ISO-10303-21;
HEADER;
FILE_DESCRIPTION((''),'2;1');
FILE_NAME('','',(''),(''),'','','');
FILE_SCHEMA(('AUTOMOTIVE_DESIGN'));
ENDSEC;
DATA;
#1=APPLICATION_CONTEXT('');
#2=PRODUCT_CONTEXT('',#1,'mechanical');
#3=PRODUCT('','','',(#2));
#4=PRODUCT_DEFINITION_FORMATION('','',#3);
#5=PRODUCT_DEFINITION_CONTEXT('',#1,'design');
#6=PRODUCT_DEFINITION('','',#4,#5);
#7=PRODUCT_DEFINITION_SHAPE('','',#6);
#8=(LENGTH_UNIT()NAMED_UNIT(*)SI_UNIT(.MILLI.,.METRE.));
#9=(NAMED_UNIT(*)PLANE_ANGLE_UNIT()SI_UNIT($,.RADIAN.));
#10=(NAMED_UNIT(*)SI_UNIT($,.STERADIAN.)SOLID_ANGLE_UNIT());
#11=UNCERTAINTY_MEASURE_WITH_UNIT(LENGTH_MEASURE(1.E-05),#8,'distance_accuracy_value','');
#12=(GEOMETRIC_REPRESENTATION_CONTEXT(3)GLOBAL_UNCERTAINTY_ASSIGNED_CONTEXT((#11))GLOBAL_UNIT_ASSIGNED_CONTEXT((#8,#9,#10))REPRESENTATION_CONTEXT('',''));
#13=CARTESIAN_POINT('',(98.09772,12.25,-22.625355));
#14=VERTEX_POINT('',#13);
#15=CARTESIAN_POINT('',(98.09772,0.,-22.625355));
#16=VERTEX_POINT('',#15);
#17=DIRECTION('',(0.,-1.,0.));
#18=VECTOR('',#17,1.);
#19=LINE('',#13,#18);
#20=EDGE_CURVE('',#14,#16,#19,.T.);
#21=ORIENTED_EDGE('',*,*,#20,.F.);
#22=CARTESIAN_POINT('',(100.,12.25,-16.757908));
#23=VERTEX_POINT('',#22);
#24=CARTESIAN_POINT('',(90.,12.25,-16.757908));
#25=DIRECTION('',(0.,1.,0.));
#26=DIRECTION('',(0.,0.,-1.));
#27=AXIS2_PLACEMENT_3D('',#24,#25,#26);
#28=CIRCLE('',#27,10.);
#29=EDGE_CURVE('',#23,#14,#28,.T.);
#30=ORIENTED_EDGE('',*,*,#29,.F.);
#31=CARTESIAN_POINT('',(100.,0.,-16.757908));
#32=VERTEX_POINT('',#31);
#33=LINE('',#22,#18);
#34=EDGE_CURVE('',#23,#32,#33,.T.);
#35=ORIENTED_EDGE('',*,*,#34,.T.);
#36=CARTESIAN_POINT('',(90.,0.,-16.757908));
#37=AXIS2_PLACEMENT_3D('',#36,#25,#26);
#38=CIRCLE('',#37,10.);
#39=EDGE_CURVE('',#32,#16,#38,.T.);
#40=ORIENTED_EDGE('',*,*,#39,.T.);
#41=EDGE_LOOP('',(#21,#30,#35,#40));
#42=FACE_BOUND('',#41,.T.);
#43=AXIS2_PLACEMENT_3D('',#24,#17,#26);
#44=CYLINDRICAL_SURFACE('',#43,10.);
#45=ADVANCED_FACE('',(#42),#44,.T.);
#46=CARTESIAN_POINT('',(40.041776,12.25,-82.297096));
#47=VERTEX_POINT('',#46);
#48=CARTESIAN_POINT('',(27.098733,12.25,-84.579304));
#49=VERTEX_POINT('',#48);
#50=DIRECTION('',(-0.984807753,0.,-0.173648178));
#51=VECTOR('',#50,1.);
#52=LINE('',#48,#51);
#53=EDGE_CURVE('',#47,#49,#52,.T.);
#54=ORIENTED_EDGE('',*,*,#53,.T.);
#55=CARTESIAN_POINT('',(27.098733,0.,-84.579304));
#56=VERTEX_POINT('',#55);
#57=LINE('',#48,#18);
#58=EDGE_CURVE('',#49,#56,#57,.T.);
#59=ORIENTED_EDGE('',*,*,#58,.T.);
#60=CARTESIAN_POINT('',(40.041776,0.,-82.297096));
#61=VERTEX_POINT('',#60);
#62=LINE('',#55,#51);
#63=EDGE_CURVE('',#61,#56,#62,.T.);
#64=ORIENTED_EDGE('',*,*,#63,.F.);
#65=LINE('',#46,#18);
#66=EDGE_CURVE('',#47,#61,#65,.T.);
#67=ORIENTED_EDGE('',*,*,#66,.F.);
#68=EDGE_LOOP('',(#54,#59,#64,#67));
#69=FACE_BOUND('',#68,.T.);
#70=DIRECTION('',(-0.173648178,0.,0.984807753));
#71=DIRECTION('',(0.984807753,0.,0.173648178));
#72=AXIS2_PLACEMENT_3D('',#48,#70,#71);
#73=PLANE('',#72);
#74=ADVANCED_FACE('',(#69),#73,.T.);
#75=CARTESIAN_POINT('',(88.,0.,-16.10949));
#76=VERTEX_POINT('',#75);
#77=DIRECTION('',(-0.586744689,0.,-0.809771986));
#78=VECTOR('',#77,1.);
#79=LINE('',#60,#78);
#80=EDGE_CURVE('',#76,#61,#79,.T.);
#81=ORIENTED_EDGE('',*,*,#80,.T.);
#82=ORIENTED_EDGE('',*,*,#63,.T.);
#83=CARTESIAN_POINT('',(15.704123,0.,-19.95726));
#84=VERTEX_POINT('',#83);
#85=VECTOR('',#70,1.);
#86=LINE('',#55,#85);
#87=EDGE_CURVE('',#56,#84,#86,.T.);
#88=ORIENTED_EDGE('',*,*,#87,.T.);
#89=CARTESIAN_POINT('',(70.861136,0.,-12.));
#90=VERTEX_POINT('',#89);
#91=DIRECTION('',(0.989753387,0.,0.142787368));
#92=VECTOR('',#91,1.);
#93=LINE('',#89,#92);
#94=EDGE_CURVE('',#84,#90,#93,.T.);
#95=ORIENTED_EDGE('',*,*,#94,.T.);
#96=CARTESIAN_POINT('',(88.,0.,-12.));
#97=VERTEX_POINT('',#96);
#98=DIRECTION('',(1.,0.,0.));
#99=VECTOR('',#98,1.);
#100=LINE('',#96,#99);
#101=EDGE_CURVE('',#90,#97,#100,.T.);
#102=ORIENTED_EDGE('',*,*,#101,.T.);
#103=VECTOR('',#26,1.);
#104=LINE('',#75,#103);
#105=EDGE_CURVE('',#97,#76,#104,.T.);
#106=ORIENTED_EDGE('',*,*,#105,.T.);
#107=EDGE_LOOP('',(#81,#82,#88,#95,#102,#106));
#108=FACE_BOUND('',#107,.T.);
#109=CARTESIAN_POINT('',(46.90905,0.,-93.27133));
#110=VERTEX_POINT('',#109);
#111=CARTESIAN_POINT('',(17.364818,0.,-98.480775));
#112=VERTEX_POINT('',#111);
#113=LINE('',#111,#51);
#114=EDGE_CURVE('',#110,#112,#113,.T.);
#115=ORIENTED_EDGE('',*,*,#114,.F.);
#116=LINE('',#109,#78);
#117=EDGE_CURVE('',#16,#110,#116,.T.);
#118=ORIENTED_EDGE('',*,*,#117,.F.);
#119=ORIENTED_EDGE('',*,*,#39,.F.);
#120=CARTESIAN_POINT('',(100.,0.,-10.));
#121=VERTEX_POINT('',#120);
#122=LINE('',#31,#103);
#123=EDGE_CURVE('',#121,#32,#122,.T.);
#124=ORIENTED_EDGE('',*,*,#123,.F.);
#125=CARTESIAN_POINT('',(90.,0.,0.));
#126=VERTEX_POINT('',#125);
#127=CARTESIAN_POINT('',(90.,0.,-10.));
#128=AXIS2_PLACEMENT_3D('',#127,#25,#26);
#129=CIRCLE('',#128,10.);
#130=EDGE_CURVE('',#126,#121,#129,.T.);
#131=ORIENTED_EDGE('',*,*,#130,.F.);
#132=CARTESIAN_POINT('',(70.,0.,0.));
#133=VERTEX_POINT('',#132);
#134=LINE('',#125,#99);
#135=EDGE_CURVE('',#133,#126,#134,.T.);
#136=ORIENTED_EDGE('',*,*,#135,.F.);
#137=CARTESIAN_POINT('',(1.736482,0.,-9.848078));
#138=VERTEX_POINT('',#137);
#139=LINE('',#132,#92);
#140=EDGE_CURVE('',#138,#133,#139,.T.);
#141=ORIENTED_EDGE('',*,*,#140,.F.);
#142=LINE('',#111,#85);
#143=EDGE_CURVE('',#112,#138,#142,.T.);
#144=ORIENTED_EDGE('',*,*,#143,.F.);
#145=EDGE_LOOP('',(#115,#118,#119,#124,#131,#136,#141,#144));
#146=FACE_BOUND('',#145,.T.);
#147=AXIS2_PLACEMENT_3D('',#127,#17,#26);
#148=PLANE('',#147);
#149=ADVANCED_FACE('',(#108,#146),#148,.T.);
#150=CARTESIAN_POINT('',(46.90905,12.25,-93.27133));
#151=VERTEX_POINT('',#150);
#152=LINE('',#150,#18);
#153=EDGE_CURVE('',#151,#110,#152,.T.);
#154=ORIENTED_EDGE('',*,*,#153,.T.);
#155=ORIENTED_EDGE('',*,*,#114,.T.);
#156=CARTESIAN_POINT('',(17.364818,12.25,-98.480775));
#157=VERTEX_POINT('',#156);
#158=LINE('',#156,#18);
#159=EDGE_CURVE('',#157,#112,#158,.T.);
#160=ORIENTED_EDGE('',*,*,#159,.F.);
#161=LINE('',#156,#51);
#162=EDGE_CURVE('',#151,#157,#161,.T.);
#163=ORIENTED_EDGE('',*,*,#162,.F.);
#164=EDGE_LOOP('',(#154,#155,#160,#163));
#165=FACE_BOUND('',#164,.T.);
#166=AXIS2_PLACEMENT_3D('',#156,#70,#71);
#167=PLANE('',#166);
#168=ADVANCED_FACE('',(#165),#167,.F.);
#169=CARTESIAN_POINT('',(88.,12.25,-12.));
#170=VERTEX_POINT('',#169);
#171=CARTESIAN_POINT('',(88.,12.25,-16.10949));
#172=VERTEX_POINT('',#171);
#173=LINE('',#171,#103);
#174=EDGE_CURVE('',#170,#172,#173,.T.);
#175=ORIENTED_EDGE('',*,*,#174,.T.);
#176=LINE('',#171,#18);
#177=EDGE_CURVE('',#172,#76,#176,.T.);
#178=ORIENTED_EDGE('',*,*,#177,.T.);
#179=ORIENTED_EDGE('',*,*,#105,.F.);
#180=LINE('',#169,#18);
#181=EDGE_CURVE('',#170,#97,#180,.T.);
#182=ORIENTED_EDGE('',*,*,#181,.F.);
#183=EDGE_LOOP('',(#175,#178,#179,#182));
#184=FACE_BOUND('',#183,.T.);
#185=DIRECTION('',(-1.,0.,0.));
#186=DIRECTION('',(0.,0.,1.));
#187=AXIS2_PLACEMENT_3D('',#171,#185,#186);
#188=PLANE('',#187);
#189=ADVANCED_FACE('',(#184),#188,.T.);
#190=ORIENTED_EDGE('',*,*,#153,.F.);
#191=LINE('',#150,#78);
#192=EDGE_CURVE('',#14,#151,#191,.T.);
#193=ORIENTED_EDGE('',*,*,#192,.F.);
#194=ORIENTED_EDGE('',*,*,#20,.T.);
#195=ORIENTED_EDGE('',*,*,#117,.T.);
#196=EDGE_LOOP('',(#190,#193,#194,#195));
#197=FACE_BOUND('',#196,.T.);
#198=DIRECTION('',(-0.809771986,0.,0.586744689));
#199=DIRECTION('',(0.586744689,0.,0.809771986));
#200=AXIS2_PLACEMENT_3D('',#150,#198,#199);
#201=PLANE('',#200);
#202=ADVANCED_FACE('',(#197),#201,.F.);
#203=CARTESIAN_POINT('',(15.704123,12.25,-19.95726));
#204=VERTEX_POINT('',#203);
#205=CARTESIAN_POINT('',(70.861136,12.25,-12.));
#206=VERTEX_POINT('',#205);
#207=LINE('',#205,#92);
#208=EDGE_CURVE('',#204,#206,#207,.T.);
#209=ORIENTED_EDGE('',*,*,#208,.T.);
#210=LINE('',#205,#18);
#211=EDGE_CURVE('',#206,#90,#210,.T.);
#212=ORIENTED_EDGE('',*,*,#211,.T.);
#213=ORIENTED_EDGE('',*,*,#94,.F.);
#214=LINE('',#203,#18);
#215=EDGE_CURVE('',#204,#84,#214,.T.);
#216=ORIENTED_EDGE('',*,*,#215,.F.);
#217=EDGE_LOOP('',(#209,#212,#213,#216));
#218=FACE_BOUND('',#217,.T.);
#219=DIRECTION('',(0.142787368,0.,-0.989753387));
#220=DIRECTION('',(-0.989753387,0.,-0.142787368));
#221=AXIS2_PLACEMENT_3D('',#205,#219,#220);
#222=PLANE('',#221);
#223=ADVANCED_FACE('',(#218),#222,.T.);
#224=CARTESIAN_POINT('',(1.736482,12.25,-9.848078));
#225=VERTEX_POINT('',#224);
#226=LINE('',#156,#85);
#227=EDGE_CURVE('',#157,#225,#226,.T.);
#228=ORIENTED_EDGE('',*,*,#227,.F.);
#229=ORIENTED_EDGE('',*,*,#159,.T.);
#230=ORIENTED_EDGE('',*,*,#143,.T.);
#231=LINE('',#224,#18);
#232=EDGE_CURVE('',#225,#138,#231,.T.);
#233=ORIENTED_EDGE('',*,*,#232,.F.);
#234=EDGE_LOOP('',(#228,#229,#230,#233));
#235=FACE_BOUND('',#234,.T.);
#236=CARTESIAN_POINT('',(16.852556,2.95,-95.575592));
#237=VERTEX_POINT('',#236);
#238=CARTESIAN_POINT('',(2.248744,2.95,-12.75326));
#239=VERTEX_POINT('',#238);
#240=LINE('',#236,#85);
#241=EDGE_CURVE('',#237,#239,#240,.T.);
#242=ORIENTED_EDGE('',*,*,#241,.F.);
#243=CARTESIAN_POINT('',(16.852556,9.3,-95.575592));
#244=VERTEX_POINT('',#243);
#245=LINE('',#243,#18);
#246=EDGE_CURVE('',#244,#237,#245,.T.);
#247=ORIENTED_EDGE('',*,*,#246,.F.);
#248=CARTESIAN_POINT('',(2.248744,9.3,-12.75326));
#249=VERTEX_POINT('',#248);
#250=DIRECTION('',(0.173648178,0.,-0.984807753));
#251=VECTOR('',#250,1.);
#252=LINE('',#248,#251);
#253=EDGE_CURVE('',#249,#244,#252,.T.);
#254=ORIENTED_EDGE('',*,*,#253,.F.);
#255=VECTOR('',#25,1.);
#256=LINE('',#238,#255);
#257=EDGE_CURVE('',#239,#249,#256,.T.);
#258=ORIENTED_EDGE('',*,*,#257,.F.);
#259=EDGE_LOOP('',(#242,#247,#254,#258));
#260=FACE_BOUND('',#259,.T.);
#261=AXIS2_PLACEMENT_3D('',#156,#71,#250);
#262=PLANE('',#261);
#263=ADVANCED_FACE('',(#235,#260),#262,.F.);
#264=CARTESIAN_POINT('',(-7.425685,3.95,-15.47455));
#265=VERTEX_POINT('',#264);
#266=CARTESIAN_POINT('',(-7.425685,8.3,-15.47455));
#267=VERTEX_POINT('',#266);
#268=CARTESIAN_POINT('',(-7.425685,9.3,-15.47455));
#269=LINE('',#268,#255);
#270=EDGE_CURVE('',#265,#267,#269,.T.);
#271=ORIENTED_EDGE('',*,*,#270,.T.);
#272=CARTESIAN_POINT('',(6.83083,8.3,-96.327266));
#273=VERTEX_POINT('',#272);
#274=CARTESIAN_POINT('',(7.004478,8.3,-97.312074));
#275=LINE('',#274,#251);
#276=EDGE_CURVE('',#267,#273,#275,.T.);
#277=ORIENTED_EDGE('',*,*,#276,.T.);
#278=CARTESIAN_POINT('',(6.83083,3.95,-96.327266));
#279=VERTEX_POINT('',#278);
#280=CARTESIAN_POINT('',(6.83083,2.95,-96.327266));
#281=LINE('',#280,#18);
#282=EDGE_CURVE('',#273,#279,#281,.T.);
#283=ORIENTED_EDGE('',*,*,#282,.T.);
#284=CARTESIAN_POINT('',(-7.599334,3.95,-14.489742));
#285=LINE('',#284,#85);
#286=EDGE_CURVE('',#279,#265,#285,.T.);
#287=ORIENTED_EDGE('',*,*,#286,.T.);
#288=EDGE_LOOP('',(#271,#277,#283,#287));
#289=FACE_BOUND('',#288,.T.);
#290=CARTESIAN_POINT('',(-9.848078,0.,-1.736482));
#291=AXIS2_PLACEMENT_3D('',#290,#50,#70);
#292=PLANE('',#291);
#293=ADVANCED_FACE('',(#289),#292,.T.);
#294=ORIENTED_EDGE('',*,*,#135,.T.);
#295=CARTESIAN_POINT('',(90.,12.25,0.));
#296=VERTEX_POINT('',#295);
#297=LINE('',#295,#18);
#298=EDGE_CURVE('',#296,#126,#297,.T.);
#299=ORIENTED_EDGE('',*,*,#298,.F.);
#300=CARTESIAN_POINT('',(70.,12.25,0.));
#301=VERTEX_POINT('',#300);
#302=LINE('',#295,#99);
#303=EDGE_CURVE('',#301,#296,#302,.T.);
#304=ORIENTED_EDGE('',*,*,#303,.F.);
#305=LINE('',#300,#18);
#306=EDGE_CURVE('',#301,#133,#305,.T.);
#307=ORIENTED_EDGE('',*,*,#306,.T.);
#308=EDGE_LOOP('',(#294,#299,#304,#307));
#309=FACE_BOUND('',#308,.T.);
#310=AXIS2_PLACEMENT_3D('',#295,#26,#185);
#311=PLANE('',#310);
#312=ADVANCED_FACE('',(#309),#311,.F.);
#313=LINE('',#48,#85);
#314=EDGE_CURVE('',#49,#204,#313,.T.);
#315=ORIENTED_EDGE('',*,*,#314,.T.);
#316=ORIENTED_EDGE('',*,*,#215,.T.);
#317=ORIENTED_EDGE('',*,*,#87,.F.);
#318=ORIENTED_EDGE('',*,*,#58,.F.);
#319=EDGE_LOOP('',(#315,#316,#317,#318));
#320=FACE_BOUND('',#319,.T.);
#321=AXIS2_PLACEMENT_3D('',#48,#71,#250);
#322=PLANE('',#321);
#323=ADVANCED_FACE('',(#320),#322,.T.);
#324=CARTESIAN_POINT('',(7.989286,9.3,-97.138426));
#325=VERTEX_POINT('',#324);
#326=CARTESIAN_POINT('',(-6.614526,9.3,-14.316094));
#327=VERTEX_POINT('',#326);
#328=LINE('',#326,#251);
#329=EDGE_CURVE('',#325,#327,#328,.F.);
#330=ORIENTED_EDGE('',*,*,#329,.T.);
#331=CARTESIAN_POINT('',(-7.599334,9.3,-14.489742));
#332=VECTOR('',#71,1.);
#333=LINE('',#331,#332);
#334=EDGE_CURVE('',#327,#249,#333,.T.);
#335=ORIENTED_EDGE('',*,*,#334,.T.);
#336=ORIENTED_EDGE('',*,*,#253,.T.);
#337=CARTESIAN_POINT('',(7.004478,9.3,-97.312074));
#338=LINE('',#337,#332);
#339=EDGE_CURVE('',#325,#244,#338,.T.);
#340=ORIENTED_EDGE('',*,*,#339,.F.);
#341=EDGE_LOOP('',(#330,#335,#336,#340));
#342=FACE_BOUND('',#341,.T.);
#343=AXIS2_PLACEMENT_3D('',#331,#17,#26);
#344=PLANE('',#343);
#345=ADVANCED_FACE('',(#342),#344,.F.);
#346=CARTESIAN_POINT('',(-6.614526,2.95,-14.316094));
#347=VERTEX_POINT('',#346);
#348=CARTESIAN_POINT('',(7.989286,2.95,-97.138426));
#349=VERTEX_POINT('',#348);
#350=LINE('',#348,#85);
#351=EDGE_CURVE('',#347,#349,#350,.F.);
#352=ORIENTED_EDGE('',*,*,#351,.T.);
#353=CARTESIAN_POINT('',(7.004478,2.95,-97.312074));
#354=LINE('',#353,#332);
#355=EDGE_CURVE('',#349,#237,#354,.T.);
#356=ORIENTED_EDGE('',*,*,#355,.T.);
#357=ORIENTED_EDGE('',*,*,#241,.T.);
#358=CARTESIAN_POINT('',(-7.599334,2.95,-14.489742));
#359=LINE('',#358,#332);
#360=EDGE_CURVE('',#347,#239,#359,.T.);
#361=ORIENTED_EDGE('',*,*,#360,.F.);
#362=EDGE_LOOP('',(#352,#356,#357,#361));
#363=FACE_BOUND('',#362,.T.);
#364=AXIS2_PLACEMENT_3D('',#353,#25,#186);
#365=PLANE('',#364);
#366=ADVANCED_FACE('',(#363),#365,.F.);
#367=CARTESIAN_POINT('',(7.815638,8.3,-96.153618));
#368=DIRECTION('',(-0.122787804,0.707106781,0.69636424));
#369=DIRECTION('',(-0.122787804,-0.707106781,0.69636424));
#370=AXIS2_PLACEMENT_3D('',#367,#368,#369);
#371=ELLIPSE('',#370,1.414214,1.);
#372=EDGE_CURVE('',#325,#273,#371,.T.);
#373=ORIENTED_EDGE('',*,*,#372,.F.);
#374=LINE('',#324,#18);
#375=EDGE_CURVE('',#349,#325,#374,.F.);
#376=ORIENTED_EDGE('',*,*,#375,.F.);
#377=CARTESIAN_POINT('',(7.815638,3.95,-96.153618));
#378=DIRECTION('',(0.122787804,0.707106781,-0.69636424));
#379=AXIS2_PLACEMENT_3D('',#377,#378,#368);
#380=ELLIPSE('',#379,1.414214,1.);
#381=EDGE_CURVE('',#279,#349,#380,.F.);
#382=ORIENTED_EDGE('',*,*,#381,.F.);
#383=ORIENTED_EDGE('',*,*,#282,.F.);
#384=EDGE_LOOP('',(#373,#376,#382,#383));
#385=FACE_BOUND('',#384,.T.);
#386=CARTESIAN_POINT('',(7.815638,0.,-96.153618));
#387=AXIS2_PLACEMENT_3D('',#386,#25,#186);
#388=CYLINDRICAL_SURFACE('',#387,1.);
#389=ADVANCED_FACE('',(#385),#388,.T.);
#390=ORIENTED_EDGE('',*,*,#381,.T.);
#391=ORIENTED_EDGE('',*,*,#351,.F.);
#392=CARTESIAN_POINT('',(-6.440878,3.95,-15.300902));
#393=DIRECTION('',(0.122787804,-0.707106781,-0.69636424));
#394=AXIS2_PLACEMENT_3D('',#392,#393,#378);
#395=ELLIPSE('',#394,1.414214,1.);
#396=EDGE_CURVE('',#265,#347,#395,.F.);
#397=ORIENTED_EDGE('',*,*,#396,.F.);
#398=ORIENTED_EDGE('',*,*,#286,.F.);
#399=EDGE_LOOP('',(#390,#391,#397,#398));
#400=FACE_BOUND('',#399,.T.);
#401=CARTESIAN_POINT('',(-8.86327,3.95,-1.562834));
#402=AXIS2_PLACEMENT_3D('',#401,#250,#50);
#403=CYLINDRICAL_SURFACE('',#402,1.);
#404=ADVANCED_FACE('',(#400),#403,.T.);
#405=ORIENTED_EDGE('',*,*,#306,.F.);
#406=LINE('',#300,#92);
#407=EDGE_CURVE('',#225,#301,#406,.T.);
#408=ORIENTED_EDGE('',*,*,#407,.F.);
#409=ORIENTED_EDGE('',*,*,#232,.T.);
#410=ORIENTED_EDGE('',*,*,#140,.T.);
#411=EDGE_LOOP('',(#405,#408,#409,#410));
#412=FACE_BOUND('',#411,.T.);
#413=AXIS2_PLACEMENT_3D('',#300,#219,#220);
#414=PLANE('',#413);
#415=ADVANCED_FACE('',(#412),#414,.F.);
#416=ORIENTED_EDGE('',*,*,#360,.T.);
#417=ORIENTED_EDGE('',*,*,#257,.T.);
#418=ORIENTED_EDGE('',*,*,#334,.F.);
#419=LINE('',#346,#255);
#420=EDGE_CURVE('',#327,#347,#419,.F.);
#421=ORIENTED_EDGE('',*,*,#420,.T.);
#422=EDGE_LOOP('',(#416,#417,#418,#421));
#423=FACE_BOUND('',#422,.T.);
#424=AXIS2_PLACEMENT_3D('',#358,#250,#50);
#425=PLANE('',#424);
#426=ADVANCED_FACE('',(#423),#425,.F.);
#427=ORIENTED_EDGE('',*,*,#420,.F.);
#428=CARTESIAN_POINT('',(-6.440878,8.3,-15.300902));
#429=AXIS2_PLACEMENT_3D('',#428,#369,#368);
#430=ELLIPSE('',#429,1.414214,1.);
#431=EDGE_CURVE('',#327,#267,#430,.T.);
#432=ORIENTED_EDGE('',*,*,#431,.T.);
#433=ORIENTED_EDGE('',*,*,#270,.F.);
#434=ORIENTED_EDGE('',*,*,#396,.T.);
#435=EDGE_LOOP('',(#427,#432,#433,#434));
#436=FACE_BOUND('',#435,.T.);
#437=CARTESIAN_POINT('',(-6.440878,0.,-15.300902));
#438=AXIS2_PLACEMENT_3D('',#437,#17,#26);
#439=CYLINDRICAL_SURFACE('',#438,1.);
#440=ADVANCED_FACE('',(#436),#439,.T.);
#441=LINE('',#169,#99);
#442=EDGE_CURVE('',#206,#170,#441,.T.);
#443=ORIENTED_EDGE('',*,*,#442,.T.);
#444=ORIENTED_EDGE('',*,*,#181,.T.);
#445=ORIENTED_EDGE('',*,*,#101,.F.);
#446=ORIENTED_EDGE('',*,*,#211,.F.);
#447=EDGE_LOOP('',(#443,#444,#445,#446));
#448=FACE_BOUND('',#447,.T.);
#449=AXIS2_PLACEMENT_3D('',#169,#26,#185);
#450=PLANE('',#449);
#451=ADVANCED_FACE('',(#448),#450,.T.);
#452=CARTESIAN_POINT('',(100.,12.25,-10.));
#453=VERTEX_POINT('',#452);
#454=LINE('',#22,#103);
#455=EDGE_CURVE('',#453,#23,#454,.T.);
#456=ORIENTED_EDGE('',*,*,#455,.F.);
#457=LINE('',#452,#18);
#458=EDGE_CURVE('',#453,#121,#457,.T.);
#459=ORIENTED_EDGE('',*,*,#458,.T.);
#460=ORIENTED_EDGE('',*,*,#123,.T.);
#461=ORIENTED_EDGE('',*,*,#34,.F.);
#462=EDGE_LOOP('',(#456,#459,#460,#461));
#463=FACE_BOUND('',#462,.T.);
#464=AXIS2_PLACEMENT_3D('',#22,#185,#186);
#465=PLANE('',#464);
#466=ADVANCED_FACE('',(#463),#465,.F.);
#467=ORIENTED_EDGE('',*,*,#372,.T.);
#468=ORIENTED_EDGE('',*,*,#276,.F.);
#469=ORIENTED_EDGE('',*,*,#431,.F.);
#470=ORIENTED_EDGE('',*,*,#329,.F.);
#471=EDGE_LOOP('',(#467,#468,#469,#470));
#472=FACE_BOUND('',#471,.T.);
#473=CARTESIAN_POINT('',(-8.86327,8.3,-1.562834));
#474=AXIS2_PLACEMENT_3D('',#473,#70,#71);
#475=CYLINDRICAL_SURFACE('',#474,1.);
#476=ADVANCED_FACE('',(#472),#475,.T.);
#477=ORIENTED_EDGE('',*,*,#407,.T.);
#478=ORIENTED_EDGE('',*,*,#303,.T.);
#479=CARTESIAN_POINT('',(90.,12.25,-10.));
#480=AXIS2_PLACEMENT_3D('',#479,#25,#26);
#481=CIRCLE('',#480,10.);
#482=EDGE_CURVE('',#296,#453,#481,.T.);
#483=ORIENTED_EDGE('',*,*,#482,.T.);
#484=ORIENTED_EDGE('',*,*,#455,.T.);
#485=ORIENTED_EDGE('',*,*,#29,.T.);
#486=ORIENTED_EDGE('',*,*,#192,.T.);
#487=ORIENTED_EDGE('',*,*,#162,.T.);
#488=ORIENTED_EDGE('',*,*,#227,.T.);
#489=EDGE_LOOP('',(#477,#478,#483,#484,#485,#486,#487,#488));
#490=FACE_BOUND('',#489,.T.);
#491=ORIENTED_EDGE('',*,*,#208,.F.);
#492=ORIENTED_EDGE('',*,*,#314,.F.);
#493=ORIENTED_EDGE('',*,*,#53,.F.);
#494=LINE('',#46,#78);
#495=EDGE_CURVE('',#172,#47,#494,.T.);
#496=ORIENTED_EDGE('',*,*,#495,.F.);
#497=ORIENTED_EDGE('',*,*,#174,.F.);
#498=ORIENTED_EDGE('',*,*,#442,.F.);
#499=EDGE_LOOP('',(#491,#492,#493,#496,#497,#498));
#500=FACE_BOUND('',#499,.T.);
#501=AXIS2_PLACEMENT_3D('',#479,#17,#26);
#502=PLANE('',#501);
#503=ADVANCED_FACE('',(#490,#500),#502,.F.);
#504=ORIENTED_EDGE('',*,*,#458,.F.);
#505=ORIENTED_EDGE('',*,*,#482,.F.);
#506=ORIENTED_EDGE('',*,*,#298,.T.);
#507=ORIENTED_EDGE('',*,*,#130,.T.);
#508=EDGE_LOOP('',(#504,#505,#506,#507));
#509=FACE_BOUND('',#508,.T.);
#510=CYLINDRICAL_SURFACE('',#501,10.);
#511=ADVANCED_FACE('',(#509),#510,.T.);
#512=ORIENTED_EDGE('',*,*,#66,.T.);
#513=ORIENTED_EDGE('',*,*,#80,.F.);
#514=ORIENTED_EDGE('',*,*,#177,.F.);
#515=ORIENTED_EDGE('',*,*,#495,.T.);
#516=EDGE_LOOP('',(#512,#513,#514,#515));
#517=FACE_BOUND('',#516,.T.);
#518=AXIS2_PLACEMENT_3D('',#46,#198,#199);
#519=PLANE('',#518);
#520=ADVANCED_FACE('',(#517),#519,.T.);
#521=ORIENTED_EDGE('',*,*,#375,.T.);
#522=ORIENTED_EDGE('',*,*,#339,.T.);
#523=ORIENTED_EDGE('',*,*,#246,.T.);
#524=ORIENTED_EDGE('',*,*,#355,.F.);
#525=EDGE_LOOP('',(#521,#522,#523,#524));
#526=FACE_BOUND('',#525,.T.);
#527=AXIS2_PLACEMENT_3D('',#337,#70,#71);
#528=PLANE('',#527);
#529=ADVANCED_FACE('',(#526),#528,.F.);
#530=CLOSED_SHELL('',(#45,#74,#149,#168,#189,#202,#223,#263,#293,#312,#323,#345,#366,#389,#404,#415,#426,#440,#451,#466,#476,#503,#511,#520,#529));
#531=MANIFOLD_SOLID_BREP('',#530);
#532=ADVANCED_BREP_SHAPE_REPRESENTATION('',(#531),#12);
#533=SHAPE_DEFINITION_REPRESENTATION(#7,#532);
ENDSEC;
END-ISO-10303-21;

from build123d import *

# Parameters (mm, degrees)
BOSS_EXTRUDE1_DEPTH = 12.25
SKETCH2_W           = 84.1
SKETCH2_H           = 6.35
BOSS_EXTRUDE2_DEPTH = 10
FILLET1_R           = 1


with BuildPart() as part:
    # Sketch1 → Boss-Extrude1 (new body)
    with BuildSketch(Plane(origin=(0, 0, 0), x_dir=(1, 0, 0), z_dir=(0, 1, 0))):
        with BuildLine():
            Line((17.364817767, 98.480775301), (46.909050357, 93.271329971))
            Line((46.909050357, 93.271329971), (98.097719862, 22.625355106))
            ThreePointArc((98.097719862, 22.625355106), (99.512549569, 19.841964096), (100, 16.757908213))
            Line((100, 16.757908213), (100, 10))
            ThreePointArc((100, 10), (97.071067812, 2.928932188), (90, 0))
            Line((90, 0), (70, 0))
            Line((70, 0), (1.736481777, 9.84807753))
            Line((1.736481777, 9.84807753), (17.364817767, 98.480775301))
        make_face()
        Polygon((40.041775538, 82.297096463), (88, 16.109489855), (88, 12), (70.861136072, 12), (15.704122693, 19.957259723), (27.098732671, 84.579304133), align=None, mode=Mode.SUBTRACT)
    extrude(amount=BOSS_EXTRUDE1_DEPTH)

    # Sketch2 → Boss-Extrude2 (add)
    with BuildSketch(Plane(origin=(0, 0, 0), x_dir=(-0.17364817766692336, 0, 0.9848077530122094), z_dir=(-0.9848077530122092, 0, -0.17364817766692334))):
        with Locations((-55, 6.125)):
            Rectangle(SKETCH2_W, SKETCH2_H)
    extrude(amount=BOSS_EXTRUDE2_DEPTH)

    # Fillet1
    fillet1_edges = [part.edges().sort_by_distance(p)[0] for p in [
        (-0.297427758, 2.95, -55.900908192),
        (-7.599333629, 6.125, -14.489742178),
        (-0.297427758, 9.3, -55.900908192),
        (7.004478112, 6.125, -97.312074207),
    ]]
    fillet(fillet1_edges, radius=FILLET1_R)


solid = part.part
